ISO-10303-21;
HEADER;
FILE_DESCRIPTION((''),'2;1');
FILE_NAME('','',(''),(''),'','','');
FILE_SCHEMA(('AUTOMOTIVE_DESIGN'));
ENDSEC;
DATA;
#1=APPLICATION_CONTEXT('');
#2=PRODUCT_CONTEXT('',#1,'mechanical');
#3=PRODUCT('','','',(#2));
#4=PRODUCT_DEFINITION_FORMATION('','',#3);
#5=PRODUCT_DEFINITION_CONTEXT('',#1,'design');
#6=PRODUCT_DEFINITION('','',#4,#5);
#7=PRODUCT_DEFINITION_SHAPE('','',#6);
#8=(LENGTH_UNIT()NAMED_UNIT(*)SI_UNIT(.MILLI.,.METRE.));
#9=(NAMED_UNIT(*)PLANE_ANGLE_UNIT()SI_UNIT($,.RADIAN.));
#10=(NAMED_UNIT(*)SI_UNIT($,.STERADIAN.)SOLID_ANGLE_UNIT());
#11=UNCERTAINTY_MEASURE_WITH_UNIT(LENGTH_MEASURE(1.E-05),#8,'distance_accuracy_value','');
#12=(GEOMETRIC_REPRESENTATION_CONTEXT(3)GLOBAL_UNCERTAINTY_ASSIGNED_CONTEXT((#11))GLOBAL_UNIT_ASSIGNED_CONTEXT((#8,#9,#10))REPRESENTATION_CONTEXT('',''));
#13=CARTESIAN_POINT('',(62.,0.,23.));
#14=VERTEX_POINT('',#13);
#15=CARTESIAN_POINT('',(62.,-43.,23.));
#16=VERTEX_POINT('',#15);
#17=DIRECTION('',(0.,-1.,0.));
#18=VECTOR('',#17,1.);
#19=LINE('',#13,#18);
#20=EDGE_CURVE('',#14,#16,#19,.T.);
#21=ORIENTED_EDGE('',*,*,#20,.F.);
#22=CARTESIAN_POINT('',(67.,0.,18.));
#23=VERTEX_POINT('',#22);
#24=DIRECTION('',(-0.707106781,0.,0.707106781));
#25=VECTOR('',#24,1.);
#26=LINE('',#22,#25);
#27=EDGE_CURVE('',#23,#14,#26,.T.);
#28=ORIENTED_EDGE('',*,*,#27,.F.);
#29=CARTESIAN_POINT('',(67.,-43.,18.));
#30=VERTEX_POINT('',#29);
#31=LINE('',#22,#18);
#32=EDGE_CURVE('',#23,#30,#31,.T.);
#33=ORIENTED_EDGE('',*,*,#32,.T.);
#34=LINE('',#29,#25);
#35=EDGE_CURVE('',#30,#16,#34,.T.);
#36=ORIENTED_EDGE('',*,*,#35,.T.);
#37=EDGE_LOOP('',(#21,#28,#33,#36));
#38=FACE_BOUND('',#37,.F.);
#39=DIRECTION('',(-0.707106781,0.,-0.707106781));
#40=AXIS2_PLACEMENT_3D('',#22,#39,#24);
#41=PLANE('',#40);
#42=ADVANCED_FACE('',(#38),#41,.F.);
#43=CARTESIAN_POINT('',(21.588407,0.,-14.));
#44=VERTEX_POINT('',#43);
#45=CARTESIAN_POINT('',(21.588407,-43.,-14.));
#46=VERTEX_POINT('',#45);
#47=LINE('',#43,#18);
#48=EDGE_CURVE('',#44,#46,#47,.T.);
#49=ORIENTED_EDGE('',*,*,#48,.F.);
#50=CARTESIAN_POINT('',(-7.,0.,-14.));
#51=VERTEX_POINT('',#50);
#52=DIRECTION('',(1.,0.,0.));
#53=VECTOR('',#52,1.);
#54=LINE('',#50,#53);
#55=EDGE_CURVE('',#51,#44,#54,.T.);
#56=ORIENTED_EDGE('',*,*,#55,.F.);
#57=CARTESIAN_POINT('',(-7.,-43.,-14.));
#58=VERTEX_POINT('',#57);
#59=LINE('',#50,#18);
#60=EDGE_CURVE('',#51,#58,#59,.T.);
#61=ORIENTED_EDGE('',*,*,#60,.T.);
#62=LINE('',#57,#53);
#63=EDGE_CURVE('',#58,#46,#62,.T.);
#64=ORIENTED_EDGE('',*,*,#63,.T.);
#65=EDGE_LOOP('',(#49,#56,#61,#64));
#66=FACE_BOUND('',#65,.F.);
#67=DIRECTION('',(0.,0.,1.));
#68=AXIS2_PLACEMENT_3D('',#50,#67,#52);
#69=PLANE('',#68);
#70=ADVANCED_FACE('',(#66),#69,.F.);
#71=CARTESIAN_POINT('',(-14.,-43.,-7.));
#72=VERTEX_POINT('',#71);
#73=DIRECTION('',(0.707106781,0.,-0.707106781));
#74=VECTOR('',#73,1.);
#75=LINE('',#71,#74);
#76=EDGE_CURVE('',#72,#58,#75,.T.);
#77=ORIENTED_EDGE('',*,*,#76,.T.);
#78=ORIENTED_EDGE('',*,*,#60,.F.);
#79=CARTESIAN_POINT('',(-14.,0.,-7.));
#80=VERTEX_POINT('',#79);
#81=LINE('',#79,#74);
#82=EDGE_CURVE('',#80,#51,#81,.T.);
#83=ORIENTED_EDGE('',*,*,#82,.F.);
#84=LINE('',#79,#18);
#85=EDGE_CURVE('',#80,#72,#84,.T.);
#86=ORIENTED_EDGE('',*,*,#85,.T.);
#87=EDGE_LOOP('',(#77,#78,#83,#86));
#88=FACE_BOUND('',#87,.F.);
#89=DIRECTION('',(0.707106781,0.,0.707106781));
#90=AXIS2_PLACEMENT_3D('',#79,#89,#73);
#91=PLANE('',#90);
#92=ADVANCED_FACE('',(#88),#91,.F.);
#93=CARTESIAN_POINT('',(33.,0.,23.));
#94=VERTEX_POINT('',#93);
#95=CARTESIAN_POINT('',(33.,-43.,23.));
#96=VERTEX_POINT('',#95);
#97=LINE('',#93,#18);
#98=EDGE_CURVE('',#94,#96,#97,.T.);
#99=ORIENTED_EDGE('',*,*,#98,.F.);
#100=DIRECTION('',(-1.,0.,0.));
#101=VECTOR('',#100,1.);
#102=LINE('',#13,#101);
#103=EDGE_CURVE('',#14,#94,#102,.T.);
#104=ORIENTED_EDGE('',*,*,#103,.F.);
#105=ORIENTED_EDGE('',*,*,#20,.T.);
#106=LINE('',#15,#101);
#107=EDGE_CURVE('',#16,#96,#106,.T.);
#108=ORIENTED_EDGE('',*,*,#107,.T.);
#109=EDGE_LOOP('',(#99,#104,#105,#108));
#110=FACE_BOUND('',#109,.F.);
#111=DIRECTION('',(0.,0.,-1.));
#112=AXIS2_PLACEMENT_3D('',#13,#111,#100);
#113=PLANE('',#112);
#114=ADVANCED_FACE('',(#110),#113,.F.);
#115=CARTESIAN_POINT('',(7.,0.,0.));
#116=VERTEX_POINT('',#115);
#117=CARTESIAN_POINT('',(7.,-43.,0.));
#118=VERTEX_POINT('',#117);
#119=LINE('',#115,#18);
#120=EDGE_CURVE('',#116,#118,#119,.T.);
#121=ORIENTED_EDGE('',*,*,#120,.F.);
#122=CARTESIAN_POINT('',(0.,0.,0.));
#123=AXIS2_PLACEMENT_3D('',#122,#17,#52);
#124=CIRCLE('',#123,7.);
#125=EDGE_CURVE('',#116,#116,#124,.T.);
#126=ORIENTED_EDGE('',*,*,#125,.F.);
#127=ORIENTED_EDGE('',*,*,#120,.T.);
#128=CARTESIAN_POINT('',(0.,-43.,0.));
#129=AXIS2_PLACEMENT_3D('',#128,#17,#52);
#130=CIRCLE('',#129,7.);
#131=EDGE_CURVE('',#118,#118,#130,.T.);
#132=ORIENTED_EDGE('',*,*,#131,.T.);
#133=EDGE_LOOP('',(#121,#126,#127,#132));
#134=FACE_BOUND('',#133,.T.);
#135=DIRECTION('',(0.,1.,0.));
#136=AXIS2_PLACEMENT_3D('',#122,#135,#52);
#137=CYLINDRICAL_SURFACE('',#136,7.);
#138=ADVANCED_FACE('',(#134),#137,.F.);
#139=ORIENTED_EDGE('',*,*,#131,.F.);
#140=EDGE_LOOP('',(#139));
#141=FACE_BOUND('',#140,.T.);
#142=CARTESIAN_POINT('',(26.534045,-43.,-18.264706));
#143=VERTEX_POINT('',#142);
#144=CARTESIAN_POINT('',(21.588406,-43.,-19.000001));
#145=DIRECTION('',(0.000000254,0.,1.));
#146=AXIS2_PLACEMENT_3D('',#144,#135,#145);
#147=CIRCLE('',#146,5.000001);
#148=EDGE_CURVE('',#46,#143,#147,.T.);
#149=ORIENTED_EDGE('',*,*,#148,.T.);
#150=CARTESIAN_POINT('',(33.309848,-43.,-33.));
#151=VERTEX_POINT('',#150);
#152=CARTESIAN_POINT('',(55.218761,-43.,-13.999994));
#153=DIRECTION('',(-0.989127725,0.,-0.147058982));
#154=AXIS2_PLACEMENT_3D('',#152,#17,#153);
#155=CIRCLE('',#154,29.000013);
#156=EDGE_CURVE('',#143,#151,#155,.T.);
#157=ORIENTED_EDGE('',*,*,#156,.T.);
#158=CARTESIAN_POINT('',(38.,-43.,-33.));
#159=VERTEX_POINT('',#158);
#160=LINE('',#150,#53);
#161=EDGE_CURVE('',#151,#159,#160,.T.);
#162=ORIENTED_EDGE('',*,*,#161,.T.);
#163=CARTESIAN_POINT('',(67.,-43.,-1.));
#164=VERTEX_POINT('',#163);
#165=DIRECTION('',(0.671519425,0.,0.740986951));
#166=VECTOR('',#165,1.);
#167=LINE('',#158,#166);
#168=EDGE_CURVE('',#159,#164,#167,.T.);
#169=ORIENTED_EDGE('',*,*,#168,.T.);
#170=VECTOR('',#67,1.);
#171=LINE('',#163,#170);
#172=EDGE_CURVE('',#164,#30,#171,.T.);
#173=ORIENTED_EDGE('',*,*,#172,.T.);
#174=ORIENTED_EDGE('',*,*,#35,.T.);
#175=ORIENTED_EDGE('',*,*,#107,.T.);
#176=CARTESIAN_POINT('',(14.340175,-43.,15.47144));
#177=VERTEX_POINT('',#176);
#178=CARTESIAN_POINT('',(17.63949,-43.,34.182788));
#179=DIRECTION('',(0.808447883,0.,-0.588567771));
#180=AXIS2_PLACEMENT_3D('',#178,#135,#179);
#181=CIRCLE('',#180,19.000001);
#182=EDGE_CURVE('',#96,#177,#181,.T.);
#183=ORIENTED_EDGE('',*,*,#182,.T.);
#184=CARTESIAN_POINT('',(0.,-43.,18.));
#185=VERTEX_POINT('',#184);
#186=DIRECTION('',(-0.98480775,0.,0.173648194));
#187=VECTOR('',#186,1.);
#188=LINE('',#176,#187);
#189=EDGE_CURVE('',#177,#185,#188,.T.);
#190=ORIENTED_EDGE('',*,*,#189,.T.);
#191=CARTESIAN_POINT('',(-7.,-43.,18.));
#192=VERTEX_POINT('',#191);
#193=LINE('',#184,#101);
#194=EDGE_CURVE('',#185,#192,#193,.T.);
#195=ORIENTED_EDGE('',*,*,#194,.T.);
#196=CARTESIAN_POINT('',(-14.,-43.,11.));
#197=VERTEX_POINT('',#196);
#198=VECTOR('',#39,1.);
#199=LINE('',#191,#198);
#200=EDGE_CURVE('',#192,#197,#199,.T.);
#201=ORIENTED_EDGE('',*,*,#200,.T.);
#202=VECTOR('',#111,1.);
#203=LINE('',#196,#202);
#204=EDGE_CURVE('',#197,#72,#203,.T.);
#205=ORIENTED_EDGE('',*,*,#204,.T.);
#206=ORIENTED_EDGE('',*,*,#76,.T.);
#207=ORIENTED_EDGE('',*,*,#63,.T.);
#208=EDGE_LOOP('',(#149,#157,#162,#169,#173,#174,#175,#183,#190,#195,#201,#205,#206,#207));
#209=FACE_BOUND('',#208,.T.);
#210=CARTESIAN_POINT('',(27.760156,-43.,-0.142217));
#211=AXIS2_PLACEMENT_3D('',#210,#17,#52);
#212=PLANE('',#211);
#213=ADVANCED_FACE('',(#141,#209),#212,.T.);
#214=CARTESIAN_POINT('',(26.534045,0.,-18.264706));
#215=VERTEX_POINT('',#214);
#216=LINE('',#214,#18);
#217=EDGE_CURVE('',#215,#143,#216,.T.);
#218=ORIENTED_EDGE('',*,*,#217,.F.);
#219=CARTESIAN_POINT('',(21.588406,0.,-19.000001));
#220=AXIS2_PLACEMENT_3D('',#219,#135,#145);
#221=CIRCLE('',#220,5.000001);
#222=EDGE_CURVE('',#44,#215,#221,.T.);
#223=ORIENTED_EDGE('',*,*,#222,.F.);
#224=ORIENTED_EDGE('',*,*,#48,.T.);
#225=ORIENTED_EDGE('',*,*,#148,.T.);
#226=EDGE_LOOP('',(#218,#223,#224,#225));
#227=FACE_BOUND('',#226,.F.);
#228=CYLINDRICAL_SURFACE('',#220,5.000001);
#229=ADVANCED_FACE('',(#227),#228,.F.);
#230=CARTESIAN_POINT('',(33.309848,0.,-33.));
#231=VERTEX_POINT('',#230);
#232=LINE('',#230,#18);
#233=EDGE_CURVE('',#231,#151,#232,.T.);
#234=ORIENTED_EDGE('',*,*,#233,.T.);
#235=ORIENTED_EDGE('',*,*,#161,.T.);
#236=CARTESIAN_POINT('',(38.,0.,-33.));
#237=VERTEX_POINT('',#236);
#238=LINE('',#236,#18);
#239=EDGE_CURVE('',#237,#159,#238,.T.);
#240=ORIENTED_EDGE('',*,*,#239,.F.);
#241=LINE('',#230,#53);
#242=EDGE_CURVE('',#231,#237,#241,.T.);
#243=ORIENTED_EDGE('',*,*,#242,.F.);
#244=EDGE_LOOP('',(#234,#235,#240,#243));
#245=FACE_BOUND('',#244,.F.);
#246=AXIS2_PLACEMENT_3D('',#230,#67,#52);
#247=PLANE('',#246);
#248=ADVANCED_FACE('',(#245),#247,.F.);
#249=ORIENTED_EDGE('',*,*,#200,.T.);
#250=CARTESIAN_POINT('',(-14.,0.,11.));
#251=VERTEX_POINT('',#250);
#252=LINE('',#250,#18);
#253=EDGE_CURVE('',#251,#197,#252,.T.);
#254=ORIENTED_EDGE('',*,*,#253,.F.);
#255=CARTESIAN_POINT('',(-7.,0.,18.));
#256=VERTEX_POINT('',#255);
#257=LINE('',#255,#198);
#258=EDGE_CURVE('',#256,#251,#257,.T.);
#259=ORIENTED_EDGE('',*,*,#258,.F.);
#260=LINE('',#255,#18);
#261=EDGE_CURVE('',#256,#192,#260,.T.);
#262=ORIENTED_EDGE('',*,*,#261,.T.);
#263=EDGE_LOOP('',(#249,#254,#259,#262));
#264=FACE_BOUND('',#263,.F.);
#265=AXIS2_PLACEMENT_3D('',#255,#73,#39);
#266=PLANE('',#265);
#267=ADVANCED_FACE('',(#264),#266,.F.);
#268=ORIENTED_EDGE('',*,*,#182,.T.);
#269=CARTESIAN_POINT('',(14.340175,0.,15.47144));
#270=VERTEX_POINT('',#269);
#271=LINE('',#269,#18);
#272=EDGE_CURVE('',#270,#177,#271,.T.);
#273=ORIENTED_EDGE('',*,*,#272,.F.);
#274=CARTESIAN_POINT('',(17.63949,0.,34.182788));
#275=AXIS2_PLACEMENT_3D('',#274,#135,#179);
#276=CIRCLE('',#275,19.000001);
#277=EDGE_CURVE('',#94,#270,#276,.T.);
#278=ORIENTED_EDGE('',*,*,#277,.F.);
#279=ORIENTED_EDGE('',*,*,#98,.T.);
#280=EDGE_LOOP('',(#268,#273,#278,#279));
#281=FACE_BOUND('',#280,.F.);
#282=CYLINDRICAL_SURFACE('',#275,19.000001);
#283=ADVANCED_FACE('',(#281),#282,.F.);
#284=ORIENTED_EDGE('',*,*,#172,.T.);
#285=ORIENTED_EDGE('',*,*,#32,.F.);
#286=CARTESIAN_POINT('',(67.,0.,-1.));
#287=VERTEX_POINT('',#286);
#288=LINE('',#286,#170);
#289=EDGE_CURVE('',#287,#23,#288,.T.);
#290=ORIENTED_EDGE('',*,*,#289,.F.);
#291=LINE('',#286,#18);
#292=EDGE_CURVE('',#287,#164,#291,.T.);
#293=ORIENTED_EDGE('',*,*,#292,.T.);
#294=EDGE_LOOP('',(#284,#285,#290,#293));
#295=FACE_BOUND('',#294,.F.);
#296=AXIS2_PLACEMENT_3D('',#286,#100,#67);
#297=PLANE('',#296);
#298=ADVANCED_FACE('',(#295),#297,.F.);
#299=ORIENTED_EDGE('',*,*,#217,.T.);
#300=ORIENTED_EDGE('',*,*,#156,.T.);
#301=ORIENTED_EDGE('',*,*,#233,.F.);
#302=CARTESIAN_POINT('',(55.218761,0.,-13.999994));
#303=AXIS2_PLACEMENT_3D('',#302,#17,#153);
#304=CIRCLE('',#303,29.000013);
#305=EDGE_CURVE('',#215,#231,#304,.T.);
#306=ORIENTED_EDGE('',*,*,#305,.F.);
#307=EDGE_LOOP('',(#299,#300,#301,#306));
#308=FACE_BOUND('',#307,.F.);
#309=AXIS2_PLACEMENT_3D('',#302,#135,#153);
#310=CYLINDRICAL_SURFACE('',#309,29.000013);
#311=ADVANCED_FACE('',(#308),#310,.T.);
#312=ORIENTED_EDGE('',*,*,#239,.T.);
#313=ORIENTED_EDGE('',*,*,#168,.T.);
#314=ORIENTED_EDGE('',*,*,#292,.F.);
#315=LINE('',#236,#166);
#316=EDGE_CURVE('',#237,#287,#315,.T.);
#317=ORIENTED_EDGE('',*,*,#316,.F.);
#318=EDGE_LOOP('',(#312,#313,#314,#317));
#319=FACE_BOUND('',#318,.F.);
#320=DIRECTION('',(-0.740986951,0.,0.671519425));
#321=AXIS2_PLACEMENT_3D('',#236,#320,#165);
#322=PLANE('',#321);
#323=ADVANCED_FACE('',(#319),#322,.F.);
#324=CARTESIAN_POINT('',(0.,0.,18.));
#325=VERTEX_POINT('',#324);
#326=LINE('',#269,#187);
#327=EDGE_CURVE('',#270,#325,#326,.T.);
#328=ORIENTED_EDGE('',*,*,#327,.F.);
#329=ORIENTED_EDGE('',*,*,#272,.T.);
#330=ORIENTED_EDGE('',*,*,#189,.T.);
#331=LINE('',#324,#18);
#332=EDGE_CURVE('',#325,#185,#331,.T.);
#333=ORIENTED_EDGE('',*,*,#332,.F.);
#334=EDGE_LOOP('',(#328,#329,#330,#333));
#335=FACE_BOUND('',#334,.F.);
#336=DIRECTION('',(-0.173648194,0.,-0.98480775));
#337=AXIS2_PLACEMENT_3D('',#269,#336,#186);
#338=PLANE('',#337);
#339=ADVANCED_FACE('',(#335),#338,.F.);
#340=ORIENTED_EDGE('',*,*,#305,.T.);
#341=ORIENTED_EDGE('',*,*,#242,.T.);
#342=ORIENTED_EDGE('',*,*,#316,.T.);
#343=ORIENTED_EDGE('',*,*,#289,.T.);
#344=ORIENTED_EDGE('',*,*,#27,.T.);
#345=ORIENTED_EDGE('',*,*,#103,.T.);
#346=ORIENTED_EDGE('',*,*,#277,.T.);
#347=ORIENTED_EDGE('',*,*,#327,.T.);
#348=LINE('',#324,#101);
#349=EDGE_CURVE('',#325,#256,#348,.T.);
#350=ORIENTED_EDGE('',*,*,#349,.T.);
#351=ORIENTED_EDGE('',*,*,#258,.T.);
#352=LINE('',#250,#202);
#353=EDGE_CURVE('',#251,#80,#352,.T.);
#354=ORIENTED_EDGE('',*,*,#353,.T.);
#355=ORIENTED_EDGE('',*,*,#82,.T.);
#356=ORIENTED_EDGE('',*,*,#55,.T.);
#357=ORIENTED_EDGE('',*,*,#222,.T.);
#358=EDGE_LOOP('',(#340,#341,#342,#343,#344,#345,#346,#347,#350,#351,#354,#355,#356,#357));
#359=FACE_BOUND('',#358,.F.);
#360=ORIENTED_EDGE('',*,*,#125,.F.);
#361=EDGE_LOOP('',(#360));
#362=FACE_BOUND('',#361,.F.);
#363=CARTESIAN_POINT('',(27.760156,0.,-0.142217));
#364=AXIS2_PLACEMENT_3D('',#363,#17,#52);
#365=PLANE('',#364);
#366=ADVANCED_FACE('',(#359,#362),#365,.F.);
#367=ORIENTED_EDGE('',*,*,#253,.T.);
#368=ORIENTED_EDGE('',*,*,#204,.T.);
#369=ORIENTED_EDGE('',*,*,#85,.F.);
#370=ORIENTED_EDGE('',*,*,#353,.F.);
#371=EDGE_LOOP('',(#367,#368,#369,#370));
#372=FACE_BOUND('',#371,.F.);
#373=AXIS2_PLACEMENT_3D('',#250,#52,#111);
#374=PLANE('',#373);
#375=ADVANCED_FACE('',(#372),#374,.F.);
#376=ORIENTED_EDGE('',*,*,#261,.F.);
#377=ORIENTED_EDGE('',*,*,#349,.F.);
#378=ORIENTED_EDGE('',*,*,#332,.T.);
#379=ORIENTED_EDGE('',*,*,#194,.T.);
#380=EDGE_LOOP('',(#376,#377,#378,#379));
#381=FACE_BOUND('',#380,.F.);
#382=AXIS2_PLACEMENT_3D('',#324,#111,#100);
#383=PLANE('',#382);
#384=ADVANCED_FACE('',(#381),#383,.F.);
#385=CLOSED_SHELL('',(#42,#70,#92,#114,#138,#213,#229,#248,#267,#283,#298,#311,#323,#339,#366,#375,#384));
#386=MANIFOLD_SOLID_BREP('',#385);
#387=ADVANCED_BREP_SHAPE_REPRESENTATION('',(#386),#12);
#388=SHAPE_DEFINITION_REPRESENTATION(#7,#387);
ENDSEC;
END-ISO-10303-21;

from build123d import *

# Parameters (mm, degrees)
F0_R     = 7
F1_DEPTH = 43


with BuildPart() as f1:
    # F0 (on Front) → F1 (new body)
    with BuildSketch(Plane.XZ):
        with BuildLine():
            Line((0, 18), (-7, 18))
            Line((-7, 18), (-14, 11))
            Line((-14, 11), (-14, -7))
            Line((-14, -7), (-7, -14))
            Line((-7, -14), (21.588407, -14))
            ThreePointArc((21.588407, -14), (24.853642, -15.213414), (26.534045, -18.264706))
            ThreePointArc((26.534045, -18.264706), (28.870876, -26.115672), (33.309848, -33))
            Line((33.309848, -33), (38, -33))
            Line((38, -33), (67, -1))
            Line((67, -1), (67, 18))
            Line((67, 18), (62, 23))
            Line((62, 23), (33, 23))
            ThreePointArc((33, 23), (24.748492, 16.562853), (14.340175, 15.47144))
            Line((14.340175, 15.47144), (0, 18))
        make_face()
        Circle(F0_R, mode=Mode.SUBTRACT)
    extrude(amount=F1_DEPTH)


solid = f1.part
